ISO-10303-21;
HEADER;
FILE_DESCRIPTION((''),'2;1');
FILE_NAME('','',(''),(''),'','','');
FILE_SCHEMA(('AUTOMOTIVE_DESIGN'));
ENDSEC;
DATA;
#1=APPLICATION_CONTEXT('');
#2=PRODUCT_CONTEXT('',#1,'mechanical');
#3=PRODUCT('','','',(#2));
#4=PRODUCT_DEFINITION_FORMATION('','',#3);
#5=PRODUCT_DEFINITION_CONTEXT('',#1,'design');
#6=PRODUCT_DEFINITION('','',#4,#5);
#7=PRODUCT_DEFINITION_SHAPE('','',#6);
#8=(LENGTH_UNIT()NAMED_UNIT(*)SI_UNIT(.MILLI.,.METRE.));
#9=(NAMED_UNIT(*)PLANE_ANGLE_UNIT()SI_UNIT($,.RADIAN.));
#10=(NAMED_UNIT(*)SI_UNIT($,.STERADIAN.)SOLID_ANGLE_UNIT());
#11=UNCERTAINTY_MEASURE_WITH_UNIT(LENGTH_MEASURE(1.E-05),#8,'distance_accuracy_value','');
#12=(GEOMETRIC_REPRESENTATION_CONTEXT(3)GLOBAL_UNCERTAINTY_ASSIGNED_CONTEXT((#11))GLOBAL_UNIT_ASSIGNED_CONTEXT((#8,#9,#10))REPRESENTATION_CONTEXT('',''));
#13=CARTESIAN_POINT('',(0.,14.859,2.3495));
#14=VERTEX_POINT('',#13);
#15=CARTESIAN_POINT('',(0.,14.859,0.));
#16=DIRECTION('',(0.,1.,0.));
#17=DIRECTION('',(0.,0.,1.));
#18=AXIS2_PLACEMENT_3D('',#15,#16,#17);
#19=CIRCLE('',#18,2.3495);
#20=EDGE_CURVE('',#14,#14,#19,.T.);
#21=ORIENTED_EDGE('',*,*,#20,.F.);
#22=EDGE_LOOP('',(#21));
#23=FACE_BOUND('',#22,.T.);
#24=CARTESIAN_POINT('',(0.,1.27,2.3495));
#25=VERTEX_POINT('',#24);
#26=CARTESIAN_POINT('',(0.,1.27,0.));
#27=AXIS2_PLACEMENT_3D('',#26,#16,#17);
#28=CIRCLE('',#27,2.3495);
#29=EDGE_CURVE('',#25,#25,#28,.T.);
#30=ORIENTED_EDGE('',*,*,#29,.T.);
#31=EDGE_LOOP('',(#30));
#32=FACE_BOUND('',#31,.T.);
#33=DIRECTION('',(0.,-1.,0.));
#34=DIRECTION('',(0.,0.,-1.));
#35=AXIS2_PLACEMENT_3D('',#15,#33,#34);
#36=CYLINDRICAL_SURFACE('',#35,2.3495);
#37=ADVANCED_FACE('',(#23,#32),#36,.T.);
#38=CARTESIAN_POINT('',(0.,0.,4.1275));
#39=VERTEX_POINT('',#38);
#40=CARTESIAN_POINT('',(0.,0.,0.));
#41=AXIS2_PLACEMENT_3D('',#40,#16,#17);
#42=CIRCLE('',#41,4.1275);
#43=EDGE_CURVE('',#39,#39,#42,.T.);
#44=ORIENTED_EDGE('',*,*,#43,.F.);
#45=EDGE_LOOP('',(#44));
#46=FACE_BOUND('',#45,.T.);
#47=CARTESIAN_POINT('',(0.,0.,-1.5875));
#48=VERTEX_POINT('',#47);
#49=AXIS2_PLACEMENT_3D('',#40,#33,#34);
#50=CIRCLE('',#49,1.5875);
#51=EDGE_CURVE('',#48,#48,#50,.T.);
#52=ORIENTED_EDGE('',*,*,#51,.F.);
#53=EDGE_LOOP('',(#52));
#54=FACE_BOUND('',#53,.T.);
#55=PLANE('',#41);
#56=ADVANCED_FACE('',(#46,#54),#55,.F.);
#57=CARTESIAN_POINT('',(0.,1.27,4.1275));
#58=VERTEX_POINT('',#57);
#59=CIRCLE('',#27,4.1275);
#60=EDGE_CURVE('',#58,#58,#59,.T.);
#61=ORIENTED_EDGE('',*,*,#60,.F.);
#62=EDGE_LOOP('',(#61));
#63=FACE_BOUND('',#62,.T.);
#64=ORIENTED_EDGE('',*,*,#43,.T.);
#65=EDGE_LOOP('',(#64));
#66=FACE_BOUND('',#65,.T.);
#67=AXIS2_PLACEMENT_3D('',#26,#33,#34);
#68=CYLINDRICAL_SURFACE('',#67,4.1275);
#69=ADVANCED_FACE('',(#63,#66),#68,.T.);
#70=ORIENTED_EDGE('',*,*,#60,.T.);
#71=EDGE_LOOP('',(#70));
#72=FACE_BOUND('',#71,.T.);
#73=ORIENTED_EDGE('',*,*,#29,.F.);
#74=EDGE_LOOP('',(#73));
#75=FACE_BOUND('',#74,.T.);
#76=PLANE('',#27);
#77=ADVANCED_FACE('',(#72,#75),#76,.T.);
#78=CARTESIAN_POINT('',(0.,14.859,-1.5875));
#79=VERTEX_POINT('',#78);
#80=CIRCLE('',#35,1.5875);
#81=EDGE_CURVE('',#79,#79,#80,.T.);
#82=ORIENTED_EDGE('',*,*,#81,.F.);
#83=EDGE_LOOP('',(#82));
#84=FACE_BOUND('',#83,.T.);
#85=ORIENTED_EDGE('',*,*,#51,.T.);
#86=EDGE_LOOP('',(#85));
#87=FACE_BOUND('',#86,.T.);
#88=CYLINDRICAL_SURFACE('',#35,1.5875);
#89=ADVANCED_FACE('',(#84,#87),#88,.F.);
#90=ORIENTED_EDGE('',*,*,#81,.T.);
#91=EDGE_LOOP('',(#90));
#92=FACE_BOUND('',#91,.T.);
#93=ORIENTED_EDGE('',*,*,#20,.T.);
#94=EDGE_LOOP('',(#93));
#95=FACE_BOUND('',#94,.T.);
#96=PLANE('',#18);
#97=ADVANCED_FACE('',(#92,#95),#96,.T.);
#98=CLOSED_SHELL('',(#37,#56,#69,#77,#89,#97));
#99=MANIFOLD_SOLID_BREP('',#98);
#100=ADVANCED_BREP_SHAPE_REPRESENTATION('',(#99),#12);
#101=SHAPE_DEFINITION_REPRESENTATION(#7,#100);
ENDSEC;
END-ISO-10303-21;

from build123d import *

# Parameters (mm, degrees)
SKETCH1_R           = 4.1275
BOSS_EXTRUDE1_DEPTH = 1.27
SKETCH2_R           = 2.3495
BOSS_EXTRUDE2_DEPTH = 13.589
SKETCH3_R           = 1.5875
CUT_EXTRUDE2_DEPTH  = 16.964410215


with BuildPart() as part:
    # Sketch1 → Boss-Extrude1 (new body)
    with BuildSketch(Plane(origin=(0, 0, 0), x_dir=(1, 0, 0), z_dir=(0, 1, 0))):
        with Locations(Location((0, 0, 0), (0, 0, 270))):
            Circle(SKETCH1_R)
    extrude(amount=BOSS_EXTRUDE1_DEPTH)

    # Sketch2 → Boss-Extrude2 (add)
    with BuildSketch(Plane(origin=(0, 1.27, 0), x_dir=(1, 0, 0), z_dir=(0, 1, 0))):
        with Locations(Location((0, 0, 0), (0, 0, 270))):
            Circle(SKETCH2_R)
    extrude(amount=BOSS_EXTRUDE2_DEPTH)

    # Sketch3 → Cut-Extrude2 (cut, through all)
    with BuildSketch(Plane.XZ):
        with Locations(Location((0, 0, 0), (0, 0, 270))):
            Circle(SKETCH3_R)
    extrude(amount=-CUT_EXTRUDE2_DEPTH, mode=Mode.SUBTRACT)


solid = part.part
